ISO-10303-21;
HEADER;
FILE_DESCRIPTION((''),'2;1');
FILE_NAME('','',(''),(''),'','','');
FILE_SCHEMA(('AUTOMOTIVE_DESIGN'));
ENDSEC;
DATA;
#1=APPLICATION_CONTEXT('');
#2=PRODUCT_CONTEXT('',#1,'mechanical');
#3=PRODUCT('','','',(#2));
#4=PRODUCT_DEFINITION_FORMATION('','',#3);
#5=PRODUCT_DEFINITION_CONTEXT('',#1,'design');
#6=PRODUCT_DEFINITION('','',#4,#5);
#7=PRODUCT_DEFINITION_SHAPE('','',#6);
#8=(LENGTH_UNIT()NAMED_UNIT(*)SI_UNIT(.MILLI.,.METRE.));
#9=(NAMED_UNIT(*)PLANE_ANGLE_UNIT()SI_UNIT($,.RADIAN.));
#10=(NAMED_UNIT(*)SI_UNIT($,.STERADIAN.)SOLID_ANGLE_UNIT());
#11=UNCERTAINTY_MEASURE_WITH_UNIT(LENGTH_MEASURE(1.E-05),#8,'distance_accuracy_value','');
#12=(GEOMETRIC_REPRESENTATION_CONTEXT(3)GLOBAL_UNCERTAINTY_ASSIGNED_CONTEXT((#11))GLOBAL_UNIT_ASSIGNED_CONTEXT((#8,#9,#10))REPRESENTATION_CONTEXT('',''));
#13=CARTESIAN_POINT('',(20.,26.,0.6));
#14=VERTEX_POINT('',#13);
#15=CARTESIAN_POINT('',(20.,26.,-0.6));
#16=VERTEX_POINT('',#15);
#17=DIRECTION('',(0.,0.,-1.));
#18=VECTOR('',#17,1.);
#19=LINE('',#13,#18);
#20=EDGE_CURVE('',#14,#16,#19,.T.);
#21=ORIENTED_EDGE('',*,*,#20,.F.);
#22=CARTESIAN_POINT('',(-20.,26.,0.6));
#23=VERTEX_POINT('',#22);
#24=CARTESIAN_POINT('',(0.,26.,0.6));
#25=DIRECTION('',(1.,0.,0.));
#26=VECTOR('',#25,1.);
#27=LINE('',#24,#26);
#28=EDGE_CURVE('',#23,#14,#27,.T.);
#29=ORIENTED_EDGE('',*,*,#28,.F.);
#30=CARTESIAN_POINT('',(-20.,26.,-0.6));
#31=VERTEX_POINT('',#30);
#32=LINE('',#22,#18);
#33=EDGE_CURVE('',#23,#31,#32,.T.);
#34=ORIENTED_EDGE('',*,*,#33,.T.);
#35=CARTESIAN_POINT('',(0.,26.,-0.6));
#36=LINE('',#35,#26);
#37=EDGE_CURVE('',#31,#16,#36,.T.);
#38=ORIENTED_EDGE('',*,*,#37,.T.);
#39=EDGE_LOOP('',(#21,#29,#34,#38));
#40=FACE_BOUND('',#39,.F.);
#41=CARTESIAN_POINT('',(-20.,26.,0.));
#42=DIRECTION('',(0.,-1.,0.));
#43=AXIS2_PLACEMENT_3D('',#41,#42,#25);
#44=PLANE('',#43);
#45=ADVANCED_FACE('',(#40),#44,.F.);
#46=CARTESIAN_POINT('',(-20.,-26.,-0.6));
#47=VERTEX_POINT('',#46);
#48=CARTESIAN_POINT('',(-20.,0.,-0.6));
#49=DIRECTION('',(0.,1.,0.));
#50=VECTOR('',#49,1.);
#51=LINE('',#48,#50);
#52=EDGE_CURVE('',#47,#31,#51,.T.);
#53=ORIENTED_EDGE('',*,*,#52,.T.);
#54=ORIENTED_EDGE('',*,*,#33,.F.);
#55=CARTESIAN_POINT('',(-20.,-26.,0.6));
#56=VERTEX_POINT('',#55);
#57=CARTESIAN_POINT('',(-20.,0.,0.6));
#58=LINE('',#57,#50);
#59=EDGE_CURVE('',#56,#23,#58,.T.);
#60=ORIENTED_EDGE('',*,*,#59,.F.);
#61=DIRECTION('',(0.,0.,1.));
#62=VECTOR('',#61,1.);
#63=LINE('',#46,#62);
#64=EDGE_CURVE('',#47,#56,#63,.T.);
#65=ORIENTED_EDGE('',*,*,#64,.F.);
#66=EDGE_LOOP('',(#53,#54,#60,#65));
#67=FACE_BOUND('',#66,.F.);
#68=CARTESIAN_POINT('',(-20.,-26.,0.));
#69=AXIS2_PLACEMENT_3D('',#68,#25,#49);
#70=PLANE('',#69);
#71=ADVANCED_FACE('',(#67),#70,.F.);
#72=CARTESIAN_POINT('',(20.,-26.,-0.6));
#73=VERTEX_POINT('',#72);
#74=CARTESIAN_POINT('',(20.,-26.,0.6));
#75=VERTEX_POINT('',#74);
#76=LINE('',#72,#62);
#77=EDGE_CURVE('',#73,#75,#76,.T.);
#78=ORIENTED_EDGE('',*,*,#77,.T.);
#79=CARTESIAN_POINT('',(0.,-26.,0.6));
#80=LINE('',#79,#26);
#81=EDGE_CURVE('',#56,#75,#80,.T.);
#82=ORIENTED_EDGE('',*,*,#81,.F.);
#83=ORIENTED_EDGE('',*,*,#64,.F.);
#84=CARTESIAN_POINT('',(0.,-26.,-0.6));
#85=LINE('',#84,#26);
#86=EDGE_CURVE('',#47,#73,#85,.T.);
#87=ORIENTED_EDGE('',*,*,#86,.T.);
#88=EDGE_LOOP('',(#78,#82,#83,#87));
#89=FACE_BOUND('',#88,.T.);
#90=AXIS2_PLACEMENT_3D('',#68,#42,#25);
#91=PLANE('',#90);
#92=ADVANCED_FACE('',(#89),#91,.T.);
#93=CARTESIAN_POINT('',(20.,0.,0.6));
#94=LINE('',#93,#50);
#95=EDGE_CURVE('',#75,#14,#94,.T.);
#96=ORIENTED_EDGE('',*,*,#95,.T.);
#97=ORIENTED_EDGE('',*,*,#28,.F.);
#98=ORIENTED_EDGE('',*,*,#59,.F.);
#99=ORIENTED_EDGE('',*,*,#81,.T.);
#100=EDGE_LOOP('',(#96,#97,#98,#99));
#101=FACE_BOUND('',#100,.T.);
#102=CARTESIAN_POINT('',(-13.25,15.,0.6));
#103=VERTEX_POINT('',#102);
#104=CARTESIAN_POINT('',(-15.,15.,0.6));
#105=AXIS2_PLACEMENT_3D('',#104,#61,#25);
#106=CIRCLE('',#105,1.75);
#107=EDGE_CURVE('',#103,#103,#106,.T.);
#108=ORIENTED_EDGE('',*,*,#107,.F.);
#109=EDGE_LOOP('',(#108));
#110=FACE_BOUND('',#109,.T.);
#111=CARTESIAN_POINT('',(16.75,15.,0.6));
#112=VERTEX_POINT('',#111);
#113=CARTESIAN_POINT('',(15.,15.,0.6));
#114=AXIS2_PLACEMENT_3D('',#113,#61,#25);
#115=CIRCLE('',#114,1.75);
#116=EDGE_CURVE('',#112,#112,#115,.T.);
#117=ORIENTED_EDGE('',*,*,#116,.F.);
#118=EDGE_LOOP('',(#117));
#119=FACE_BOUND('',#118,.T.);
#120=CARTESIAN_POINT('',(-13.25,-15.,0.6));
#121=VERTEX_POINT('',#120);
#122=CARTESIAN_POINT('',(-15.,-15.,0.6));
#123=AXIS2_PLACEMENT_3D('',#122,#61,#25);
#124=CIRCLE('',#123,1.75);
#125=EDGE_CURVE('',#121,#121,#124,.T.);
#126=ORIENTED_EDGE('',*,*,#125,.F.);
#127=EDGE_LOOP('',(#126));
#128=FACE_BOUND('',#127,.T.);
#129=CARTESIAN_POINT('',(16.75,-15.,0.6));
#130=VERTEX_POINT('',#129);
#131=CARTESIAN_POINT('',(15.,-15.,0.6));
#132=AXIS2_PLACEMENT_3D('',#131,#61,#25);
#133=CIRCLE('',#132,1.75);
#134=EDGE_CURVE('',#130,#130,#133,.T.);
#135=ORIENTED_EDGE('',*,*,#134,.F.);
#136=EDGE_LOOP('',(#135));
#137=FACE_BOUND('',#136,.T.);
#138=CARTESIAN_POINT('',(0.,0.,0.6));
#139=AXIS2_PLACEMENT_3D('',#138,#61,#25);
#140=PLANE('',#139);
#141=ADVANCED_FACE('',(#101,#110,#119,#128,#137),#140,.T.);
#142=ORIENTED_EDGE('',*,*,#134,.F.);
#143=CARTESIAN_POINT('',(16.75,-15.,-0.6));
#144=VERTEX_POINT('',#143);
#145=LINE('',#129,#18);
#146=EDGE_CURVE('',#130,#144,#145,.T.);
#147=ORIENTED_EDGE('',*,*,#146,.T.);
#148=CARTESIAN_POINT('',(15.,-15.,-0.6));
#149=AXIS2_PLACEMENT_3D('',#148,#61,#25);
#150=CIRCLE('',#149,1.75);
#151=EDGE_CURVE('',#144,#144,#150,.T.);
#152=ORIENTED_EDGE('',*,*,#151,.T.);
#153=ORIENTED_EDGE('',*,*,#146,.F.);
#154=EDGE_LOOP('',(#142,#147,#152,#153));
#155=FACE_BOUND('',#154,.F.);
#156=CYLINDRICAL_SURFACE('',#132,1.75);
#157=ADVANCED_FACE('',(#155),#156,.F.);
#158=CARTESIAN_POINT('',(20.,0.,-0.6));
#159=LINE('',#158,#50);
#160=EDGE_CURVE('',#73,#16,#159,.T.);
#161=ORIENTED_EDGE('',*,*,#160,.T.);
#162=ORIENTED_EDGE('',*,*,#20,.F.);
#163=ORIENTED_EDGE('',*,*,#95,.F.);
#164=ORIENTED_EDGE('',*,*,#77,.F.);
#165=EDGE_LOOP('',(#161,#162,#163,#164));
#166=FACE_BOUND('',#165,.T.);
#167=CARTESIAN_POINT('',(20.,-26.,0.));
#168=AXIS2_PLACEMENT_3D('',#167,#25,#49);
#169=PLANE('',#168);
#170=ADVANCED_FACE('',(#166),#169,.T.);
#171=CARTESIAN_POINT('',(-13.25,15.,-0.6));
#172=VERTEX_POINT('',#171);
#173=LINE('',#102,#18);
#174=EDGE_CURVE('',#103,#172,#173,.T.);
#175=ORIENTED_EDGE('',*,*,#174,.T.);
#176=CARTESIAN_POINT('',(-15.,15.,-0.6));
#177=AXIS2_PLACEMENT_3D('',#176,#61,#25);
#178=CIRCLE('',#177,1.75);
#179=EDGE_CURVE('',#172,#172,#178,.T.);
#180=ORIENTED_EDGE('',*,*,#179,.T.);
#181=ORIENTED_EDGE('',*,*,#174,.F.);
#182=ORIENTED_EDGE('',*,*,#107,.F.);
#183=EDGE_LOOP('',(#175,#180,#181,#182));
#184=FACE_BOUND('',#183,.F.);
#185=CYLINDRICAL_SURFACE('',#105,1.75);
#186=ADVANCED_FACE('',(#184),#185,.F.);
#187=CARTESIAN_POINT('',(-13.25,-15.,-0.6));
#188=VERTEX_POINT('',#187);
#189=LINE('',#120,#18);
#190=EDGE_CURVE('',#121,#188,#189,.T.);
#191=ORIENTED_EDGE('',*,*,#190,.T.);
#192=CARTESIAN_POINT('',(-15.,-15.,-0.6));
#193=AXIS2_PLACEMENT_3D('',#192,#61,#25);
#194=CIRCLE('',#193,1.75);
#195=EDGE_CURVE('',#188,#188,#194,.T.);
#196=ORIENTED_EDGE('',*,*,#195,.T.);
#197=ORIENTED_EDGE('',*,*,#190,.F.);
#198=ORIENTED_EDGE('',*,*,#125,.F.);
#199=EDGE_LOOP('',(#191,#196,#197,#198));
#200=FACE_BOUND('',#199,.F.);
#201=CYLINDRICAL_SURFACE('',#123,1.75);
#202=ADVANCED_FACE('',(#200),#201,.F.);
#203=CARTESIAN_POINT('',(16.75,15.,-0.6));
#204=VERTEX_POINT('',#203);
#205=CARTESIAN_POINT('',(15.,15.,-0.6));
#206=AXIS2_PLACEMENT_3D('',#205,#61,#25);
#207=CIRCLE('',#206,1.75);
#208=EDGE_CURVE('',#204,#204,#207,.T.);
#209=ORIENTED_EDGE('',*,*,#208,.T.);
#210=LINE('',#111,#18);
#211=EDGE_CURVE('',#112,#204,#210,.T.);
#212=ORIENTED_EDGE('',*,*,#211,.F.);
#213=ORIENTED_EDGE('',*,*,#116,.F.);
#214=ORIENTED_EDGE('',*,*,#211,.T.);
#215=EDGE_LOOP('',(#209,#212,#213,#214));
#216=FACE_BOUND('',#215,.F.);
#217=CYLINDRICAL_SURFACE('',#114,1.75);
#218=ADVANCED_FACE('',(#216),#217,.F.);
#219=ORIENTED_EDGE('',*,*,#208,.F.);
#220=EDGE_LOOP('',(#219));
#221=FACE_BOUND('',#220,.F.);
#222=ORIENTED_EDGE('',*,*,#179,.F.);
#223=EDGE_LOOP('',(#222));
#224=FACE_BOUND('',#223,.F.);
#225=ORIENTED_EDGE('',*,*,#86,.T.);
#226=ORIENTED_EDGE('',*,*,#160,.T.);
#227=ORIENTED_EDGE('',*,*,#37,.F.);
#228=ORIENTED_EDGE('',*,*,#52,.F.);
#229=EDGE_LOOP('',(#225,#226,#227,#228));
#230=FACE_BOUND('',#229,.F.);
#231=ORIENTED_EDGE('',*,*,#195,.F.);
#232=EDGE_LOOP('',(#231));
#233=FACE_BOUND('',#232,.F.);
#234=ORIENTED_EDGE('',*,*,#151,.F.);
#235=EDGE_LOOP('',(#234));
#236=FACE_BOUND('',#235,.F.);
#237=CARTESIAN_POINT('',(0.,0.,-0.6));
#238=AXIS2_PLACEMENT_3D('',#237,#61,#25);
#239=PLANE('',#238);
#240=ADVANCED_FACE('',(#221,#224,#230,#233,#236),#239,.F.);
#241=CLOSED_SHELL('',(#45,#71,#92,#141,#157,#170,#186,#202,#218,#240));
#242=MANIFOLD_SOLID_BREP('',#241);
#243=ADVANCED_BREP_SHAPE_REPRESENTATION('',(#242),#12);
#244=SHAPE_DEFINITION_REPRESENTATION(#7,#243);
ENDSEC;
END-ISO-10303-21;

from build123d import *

# Parameters (mm, degrees)
F0_W     = 40
F0_H     = 52
F1_DEPTH = 0.6
F2_R     = 1.75
F3_DEPTH = 1.2


with BuildPart() as f1:
    # F0 (on Top) → F1 (new body, symmetric)
    with BuildSketch(Plane.XY):
        Rectangle(F0_W, F0_H)
    extrude(amount=F1_DEPTH, both=True)

    # F2 (on face) → F3 (cut, through all)
    with BuildSketch(Plane.XY.offset(0.6)):
        with Locations((-15, 15)):
            Circle(F2_R)
        with Locations((15, 15)):
            Circle(F2_R)
        with Locations((-15, -15)):
            Circle(F2_R)
        with Locations((15, -15)):
            Circle(F2_R)
    extrude(amount=-F3_DEPTH, mode=Mode.SUBTRACT)


solid = f1.part
